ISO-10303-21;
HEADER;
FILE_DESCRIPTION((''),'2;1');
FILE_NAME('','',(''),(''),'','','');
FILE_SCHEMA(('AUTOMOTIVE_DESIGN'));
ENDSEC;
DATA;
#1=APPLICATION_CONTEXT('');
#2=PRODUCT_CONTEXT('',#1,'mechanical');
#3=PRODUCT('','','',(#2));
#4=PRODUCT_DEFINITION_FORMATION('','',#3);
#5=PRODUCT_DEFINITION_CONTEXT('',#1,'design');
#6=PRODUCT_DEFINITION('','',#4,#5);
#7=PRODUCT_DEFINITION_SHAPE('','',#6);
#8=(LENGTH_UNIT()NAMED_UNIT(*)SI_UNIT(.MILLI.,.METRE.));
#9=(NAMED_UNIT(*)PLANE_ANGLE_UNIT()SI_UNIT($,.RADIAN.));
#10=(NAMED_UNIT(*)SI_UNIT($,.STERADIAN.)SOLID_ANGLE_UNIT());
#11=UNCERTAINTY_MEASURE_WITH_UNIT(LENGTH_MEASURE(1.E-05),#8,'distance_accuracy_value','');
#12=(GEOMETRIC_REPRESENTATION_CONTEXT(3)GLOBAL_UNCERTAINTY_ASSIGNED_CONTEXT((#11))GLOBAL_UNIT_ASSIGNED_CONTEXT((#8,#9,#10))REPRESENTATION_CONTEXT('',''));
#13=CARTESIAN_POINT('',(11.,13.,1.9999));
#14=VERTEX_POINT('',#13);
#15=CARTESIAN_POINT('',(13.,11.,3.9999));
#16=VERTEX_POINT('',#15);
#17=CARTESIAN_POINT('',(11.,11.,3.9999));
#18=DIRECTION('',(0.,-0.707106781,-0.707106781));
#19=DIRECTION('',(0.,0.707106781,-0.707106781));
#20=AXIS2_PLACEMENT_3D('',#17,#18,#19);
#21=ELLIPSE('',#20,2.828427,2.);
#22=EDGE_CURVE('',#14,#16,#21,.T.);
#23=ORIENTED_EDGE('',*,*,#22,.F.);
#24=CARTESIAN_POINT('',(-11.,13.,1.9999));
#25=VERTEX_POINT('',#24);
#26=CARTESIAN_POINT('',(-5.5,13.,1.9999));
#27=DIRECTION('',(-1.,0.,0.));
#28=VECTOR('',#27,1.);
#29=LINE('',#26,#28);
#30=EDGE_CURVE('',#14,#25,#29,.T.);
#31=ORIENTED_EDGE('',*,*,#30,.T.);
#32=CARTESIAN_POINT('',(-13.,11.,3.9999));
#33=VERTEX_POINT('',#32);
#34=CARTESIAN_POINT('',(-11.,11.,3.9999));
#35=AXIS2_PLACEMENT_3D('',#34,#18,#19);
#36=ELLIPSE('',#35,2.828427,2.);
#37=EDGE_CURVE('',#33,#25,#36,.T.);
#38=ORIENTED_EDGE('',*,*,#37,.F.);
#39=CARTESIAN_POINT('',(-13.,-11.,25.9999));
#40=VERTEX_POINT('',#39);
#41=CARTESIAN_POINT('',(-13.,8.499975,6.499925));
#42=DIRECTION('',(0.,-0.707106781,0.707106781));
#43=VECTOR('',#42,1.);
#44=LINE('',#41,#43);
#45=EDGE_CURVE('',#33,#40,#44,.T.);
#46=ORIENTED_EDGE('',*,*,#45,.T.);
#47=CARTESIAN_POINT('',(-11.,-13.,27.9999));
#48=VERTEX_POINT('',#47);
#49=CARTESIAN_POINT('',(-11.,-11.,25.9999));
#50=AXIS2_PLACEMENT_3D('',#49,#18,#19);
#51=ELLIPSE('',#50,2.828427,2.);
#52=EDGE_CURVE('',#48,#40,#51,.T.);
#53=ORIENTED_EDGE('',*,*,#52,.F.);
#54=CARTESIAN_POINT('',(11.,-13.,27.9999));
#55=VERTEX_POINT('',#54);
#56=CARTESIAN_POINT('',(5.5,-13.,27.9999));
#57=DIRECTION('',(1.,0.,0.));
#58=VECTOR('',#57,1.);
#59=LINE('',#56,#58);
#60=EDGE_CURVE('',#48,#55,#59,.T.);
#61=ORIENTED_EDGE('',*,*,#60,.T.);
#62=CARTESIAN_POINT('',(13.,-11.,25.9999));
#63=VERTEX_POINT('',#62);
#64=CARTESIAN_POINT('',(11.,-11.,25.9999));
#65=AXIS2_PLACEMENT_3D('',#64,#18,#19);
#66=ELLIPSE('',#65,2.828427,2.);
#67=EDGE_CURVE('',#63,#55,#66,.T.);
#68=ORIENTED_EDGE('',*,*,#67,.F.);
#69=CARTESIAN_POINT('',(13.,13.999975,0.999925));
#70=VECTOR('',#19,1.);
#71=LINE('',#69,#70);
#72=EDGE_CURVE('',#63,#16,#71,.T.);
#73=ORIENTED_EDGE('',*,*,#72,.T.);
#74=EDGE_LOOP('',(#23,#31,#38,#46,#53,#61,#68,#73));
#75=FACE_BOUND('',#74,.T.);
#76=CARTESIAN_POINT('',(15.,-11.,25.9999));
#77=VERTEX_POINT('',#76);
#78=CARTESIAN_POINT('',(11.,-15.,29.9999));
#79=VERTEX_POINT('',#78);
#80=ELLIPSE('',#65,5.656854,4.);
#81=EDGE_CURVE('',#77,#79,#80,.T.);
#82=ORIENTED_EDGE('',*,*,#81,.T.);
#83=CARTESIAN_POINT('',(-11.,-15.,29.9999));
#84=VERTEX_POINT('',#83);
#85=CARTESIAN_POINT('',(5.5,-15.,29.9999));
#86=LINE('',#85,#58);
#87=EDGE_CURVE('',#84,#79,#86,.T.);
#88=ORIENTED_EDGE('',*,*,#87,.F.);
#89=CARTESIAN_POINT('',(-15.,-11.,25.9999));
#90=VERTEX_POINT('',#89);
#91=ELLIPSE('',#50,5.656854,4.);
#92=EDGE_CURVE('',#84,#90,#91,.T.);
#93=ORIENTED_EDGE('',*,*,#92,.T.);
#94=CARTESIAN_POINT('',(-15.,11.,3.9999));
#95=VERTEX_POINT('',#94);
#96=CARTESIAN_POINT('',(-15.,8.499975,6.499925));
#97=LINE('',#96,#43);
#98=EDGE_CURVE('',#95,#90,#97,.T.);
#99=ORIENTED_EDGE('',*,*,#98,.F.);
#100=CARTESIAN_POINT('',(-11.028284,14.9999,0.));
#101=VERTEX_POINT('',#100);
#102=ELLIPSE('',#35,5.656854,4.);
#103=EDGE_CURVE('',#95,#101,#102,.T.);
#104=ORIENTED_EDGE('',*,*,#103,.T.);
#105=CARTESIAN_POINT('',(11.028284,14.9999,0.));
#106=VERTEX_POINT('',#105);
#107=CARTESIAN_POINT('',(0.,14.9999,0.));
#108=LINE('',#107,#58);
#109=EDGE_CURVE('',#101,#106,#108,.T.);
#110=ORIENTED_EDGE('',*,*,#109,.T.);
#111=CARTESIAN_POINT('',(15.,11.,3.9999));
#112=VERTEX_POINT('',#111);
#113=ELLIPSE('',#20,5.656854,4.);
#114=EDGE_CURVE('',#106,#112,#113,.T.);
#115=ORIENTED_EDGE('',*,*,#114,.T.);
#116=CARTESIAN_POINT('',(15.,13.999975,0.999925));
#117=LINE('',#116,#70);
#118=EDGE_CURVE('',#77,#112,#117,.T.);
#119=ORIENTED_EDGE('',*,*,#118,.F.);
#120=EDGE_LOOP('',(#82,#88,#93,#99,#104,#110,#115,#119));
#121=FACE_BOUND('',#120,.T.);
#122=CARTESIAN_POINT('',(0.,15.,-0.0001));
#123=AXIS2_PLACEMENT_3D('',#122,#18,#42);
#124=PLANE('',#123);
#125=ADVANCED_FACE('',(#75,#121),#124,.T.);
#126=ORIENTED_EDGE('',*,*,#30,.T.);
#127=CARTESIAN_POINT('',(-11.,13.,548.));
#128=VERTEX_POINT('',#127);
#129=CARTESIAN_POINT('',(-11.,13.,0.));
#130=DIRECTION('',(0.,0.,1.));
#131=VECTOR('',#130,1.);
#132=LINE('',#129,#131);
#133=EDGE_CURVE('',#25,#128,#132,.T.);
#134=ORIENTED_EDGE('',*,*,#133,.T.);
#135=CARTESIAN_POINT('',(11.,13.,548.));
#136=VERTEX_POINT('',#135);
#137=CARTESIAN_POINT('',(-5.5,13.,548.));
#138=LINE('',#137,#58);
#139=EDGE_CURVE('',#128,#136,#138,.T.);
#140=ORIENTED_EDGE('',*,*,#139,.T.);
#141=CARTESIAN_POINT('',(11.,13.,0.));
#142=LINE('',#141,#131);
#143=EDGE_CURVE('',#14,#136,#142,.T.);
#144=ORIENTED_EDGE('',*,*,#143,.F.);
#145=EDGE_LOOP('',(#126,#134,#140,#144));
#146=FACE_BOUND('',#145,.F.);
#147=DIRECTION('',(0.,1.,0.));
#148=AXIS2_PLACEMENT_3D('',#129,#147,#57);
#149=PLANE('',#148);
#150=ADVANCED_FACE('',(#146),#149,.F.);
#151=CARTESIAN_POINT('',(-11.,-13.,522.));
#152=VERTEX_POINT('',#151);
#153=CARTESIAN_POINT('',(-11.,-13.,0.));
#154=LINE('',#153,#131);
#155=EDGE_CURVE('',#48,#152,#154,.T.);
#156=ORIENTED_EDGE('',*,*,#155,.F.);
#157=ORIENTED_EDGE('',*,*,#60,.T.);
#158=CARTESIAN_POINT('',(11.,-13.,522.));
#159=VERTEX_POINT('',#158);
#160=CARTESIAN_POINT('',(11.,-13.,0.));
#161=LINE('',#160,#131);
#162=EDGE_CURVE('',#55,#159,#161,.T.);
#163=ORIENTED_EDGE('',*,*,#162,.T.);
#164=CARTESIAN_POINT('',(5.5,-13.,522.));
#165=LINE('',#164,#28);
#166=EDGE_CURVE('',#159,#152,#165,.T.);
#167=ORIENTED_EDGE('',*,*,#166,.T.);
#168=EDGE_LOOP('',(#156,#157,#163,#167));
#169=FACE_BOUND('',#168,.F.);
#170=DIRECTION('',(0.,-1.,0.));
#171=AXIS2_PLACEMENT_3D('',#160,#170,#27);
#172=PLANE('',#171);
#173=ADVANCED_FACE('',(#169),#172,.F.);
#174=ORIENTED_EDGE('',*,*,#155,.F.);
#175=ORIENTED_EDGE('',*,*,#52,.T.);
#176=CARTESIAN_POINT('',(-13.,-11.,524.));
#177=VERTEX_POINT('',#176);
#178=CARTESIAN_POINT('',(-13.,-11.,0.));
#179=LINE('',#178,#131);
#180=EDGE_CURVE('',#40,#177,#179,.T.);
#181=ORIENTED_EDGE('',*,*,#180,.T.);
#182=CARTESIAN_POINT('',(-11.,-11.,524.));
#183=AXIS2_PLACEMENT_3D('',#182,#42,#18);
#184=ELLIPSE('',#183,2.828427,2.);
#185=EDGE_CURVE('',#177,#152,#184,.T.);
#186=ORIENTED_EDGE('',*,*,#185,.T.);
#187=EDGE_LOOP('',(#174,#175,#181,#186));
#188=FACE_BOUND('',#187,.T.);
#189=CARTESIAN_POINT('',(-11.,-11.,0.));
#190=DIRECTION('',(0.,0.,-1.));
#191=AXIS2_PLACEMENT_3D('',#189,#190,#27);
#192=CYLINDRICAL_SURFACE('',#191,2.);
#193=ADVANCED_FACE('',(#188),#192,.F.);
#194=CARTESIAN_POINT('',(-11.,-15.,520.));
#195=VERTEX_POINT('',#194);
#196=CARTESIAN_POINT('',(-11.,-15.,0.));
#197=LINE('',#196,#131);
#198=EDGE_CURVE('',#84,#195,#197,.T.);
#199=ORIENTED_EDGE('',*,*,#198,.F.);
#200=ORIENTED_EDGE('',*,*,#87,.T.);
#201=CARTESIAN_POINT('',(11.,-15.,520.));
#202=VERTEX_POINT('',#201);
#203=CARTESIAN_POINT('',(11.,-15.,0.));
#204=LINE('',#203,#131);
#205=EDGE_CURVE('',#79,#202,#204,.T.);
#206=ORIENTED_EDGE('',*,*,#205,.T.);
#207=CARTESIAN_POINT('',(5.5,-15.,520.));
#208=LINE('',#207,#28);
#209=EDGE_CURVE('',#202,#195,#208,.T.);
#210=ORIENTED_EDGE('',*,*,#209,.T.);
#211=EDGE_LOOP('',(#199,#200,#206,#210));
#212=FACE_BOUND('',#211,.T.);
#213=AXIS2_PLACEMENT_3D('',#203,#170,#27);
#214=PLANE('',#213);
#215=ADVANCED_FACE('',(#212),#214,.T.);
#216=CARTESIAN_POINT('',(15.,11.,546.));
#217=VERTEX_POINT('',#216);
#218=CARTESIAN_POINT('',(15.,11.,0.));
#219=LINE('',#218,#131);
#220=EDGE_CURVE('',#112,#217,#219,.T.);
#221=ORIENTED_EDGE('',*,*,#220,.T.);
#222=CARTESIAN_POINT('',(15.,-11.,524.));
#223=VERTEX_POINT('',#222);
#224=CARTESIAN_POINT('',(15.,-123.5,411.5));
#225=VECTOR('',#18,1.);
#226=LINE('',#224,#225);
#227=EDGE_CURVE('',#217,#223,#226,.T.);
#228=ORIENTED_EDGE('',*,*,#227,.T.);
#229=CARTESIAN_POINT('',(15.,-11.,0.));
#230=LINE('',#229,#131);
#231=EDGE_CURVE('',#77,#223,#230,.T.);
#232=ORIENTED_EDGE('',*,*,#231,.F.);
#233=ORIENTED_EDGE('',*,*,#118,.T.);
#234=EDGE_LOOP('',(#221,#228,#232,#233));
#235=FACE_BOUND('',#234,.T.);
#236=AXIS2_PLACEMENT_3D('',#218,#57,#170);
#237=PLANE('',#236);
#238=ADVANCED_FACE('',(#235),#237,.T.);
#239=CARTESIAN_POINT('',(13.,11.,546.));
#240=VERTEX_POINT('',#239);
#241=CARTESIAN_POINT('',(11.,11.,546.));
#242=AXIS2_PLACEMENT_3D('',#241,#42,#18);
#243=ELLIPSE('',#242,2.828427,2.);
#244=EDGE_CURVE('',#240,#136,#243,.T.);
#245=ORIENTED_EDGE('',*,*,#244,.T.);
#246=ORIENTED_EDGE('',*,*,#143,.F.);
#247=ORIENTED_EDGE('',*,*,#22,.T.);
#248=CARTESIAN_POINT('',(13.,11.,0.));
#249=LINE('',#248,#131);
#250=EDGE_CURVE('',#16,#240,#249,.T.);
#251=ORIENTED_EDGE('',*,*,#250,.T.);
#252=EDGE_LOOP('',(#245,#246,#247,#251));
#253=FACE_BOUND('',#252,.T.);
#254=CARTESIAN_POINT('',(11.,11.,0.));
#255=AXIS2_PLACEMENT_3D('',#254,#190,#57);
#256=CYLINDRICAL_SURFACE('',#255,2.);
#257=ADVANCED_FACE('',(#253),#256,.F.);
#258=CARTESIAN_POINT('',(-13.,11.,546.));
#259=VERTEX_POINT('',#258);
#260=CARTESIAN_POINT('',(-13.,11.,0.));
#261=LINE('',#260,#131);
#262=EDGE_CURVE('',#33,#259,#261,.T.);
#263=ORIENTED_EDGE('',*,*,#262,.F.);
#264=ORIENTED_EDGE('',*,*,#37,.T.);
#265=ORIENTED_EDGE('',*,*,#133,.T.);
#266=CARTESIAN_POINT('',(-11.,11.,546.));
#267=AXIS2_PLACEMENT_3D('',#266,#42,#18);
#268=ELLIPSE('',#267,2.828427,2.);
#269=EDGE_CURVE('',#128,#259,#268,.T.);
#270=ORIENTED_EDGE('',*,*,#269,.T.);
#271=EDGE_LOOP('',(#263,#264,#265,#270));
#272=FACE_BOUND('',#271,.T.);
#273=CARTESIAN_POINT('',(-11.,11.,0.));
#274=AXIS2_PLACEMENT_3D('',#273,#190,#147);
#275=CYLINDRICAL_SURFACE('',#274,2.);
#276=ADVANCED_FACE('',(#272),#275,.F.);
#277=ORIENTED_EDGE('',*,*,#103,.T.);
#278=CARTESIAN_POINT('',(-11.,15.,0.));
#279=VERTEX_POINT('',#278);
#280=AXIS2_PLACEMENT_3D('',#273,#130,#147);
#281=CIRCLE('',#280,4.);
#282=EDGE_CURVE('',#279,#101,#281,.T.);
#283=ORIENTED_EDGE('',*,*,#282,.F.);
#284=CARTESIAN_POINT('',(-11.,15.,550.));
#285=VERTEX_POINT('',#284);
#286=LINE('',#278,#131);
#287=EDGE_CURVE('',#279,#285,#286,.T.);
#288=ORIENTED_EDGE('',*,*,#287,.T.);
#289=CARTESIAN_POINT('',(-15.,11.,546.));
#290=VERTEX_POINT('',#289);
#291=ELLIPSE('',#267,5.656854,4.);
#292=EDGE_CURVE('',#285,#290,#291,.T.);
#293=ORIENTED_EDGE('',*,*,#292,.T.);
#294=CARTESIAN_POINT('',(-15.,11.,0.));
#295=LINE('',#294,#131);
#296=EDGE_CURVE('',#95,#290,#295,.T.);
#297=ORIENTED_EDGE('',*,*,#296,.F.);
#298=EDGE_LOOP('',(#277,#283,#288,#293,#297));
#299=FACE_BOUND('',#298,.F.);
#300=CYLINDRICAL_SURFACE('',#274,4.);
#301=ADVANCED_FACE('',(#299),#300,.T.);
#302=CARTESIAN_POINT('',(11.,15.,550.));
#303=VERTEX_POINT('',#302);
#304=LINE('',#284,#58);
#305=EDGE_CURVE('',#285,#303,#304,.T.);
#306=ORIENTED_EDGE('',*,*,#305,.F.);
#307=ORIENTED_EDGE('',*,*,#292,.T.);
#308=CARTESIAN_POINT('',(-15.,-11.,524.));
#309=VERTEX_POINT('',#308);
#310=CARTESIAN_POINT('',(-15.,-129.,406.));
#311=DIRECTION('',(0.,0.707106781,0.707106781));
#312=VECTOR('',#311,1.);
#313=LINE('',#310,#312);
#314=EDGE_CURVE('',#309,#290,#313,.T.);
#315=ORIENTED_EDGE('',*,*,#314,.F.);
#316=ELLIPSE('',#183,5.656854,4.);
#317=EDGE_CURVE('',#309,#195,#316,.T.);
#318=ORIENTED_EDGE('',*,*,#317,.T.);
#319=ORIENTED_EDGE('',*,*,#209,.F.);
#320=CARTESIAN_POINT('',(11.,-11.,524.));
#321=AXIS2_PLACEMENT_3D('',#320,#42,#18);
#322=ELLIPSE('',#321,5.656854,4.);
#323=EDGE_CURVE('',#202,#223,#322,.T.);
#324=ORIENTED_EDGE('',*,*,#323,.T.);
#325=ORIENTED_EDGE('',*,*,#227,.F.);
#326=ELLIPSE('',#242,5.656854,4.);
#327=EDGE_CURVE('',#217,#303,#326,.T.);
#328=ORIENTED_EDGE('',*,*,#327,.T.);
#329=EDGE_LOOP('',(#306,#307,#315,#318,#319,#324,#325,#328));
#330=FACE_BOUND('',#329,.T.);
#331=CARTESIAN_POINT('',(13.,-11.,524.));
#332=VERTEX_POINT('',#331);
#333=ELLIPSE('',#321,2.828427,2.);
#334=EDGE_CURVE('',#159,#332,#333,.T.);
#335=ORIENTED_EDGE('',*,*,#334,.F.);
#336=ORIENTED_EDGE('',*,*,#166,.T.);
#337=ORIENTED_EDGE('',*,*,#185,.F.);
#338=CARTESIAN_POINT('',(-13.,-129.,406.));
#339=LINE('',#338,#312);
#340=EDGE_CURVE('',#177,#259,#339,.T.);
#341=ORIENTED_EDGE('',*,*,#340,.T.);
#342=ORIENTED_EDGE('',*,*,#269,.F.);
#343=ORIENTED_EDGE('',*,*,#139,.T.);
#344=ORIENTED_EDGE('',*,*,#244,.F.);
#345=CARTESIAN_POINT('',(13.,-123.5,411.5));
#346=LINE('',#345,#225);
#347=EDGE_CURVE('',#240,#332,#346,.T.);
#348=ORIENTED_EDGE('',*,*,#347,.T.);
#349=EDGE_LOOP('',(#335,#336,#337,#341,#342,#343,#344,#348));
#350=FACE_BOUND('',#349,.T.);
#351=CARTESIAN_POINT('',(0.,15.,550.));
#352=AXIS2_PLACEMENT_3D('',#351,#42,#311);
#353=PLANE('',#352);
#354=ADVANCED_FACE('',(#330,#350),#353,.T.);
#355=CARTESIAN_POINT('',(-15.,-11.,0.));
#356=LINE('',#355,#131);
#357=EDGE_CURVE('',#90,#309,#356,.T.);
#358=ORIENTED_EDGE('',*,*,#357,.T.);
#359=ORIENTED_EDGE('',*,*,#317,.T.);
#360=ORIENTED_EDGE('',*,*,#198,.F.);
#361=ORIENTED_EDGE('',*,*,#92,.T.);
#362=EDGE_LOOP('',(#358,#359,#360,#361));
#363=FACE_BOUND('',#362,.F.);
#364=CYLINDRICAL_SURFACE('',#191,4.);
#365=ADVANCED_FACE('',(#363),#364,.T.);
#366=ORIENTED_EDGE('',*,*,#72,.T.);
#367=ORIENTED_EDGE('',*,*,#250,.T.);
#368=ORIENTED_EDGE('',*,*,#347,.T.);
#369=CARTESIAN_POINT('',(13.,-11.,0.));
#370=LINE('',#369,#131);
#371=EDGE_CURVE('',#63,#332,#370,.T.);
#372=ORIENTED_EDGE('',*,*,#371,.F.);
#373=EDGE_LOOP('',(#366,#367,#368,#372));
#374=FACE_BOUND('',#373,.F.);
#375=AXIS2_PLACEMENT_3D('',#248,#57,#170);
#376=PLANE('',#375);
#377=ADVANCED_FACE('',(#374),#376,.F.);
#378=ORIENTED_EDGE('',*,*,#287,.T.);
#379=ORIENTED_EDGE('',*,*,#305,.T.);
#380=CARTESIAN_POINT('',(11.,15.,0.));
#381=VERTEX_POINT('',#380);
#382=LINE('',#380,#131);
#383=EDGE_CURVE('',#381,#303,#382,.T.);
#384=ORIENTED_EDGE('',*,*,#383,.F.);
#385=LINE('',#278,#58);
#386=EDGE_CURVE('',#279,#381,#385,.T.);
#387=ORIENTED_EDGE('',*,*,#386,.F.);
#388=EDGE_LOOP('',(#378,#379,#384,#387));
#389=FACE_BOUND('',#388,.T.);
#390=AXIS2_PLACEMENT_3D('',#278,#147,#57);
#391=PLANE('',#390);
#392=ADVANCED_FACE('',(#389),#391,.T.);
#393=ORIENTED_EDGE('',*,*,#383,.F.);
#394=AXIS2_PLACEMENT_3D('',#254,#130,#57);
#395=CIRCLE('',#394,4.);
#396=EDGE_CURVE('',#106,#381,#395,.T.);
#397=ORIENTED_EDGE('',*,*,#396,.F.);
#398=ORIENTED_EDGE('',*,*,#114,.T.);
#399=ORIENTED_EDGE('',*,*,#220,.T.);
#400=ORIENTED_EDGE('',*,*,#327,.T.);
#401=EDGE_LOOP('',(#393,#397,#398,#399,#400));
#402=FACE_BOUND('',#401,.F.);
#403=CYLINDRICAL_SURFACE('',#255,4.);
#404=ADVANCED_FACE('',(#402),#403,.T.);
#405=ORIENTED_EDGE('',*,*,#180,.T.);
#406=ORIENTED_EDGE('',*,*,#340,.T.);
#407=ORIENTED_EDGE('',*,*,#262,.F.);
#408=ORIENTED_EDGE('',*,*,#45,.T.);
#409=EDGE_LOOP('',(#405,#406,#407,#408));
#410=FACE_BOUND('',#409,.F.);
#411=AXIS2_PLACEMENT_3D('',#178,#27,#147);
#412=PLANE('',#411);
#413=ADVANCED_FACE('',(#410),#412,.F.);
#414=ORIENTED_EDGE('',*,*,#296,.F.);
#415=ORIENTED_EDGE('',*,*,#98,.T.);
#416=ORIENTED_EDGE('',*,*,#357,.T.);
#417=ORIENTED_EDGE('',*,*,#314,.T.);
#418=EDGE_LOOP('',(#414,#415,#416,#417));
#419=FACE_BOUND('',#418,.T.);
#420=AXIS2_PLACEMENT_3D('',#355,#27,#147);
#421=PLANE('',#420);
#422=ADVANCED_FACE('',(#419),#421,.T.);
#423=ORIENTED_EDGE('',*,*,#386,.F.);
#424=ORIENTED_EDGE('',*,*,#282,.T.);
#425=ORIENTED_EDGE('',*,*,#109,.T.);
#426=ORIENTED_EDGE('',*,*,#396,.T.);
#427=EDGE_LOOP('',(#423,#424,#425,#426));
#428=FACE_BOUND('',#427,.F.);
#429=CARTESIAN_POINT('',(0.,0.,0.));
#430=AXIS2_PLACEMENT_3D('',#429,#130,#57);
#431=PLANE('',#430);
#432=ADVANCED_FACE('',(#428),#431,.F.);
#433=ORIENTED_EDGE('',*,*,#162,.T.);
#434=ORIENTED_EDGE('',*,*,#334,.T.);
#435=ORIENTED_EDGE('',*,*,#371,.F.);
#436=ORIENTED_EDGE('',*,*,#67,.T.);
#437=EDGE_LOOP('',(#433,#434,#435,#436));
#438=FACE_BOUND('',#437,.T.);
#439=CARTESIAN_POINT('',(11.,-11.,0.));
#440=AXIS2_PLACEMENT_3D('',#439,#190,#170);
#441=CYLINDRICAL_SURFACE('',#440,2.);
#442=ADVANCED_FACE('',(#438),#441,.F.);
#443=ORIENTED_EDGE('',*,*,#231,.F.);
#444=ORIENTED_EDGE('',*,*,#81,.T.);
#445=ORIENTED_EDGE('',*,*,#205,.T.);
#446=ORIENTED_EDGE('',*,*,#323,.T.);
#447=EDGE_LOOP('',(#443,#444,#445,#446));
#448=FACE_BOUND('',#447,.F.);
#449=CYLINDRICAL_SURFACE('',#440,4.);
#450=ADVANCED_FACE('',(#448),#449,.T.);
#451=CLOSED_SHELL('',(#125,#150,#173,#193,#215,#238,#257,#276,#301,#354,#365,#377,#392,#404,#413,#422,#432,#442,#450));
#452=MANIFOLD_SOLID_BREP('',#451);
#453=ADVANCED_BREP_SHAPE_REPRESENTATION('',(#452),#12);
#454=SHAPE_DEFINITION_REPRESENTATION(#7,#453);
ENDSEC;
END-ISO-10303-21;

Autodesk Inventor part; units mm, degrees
ref_plane "Plano inicial" through (0, 0, 0) normal (0, 0, 1) x (1, 0, 0)
ref_plane "Plano final" through (0, 0, 550) normal (0, 0, 1) x (1, 0, 0)
sketch "Esboço" plane through (0, 0, 0) normal (0, 0, 1) x (1, 0, 0)
  line L0 (-15, -11) -> (-15, 11)
  line L1 (-11, 15) -> (11, 15)
  line L2 (15, 11) -> (15, -11)
  line L3 (11, -15) -> (-11, -15)
  arc A0 (-15, -11) -> (-11, -15) centre (-11, -11) ccw
  arc A1 (15, 11) -> (11, 15) centre (11, 11) ccw
  arc A2 (-11, 15) -> (-15, 11) centre (-11, 11) ccw
  arc A3 (11, -15) -> (15, -11) centre (11, -11) ccw
  arc A4 (-11, 13) -> (-13, 11) centre (-11, 11) ccw
  line L4 (-11, 13) -> (11, 13)
  arc A5 (13, 11) -> (11, 13) centre (11, 11) ccw
  line L5 (13, 11) -> (13, -11)
  arc A6 (11, -13) -> (13, -11) centre (11, -11) ccw
  line L6 (11, -13) -> (-11, -13)
  arc A7 (-13, -11) -> (-11, -13) centre (-11, -11) ccw
  line L7 (-13, -11) -> (-13, 11)
  line L8 (0, 22.1598) -> (0, -22.1598) construction
  line L9 (-22.1598, 0) -> (22.1598, 0) construction
  dimension "d7" = 4
  dimension "d9" = 30
  dimension "d11" = 30
  dimension "d12" = 2
  dimension "d15" = 15
  dimension "d16" = 15
extrude "Corpo" add sketch "Esboço" along normal up to surface (550 mm away) from surface at 0
sketch "Sketch3" plane through (0, 0, 0) normal (0, 0, 1) x (1, 0, 0)
  line L0 (0, 0) -> (10, 0)
ref_plane "Work Plane3" through (0, 0, 0) normal (0, -1, 0) x (1, 0, 0)
sketch "Sketch4" plane through (0, 0, 0) normal (0, -1, 0) x (1, 0, 0)
  line L0 (-2, 0) -> (12, 0)
  line L1 (-2, 550) -> (12, 550)
  dimension "d18" = 550
ref_plane "Plano de trabalho6" through (15, 0, 0) normal (0, 0, -1) x (-1, 0, 0)
split "Dividir3" plane through (15, 0, 0) removes the side toward (0, 0, -1)
ref_plane "Plano de trabalho7" through (105, 0, 550) normal (0, 0, 1) x (1, 0, 0)
split "Dividir4" plane through (105, 0, 550) removes the side toward (0, 0, 1)
ref_plane "Plano de trabalho8" through (0, 15, 550) normal (0, -0.7071, 0.7071) x (1, 0, 0)
split "Dividir5" plane through (0, 15, 550) removes the side toward (0, -0.7071, 0.7071)
ref_plane "Plano de trabalho9" through (0, 15, -0.0001) normal (0, -0.7071, -0.7071) x (1, 0, 0)
split "Dividir6" plane through (0, 15, -0.0001) removes the side toward (0, -0.7071, -0.7071)
equation "\"d7\" = G_IR"
equation "\"d9\" = G_W"
equation "\"d11\" = G_H"
equation "\"d12\" = G_T"
equation "\"d15\" = 0.5 * d9"
equation "\"d16\" = 0.5 * d11"
equation "\"d3\" = G_L"
equation "\"G_W\" = 30"
equation "\"G_H\" = 30"
equation "\"G_T\" = 2"
equation "\"G_IR\" = 4"
equation "\"G_L\" = d18"
equation "\"G_OFFSET_START\" = 0"
equation "\"G_OFFSET_END\" = 0"
properties part number "ISO 10799-2 - 30x30x2 - 550" material "Aço, suave"
